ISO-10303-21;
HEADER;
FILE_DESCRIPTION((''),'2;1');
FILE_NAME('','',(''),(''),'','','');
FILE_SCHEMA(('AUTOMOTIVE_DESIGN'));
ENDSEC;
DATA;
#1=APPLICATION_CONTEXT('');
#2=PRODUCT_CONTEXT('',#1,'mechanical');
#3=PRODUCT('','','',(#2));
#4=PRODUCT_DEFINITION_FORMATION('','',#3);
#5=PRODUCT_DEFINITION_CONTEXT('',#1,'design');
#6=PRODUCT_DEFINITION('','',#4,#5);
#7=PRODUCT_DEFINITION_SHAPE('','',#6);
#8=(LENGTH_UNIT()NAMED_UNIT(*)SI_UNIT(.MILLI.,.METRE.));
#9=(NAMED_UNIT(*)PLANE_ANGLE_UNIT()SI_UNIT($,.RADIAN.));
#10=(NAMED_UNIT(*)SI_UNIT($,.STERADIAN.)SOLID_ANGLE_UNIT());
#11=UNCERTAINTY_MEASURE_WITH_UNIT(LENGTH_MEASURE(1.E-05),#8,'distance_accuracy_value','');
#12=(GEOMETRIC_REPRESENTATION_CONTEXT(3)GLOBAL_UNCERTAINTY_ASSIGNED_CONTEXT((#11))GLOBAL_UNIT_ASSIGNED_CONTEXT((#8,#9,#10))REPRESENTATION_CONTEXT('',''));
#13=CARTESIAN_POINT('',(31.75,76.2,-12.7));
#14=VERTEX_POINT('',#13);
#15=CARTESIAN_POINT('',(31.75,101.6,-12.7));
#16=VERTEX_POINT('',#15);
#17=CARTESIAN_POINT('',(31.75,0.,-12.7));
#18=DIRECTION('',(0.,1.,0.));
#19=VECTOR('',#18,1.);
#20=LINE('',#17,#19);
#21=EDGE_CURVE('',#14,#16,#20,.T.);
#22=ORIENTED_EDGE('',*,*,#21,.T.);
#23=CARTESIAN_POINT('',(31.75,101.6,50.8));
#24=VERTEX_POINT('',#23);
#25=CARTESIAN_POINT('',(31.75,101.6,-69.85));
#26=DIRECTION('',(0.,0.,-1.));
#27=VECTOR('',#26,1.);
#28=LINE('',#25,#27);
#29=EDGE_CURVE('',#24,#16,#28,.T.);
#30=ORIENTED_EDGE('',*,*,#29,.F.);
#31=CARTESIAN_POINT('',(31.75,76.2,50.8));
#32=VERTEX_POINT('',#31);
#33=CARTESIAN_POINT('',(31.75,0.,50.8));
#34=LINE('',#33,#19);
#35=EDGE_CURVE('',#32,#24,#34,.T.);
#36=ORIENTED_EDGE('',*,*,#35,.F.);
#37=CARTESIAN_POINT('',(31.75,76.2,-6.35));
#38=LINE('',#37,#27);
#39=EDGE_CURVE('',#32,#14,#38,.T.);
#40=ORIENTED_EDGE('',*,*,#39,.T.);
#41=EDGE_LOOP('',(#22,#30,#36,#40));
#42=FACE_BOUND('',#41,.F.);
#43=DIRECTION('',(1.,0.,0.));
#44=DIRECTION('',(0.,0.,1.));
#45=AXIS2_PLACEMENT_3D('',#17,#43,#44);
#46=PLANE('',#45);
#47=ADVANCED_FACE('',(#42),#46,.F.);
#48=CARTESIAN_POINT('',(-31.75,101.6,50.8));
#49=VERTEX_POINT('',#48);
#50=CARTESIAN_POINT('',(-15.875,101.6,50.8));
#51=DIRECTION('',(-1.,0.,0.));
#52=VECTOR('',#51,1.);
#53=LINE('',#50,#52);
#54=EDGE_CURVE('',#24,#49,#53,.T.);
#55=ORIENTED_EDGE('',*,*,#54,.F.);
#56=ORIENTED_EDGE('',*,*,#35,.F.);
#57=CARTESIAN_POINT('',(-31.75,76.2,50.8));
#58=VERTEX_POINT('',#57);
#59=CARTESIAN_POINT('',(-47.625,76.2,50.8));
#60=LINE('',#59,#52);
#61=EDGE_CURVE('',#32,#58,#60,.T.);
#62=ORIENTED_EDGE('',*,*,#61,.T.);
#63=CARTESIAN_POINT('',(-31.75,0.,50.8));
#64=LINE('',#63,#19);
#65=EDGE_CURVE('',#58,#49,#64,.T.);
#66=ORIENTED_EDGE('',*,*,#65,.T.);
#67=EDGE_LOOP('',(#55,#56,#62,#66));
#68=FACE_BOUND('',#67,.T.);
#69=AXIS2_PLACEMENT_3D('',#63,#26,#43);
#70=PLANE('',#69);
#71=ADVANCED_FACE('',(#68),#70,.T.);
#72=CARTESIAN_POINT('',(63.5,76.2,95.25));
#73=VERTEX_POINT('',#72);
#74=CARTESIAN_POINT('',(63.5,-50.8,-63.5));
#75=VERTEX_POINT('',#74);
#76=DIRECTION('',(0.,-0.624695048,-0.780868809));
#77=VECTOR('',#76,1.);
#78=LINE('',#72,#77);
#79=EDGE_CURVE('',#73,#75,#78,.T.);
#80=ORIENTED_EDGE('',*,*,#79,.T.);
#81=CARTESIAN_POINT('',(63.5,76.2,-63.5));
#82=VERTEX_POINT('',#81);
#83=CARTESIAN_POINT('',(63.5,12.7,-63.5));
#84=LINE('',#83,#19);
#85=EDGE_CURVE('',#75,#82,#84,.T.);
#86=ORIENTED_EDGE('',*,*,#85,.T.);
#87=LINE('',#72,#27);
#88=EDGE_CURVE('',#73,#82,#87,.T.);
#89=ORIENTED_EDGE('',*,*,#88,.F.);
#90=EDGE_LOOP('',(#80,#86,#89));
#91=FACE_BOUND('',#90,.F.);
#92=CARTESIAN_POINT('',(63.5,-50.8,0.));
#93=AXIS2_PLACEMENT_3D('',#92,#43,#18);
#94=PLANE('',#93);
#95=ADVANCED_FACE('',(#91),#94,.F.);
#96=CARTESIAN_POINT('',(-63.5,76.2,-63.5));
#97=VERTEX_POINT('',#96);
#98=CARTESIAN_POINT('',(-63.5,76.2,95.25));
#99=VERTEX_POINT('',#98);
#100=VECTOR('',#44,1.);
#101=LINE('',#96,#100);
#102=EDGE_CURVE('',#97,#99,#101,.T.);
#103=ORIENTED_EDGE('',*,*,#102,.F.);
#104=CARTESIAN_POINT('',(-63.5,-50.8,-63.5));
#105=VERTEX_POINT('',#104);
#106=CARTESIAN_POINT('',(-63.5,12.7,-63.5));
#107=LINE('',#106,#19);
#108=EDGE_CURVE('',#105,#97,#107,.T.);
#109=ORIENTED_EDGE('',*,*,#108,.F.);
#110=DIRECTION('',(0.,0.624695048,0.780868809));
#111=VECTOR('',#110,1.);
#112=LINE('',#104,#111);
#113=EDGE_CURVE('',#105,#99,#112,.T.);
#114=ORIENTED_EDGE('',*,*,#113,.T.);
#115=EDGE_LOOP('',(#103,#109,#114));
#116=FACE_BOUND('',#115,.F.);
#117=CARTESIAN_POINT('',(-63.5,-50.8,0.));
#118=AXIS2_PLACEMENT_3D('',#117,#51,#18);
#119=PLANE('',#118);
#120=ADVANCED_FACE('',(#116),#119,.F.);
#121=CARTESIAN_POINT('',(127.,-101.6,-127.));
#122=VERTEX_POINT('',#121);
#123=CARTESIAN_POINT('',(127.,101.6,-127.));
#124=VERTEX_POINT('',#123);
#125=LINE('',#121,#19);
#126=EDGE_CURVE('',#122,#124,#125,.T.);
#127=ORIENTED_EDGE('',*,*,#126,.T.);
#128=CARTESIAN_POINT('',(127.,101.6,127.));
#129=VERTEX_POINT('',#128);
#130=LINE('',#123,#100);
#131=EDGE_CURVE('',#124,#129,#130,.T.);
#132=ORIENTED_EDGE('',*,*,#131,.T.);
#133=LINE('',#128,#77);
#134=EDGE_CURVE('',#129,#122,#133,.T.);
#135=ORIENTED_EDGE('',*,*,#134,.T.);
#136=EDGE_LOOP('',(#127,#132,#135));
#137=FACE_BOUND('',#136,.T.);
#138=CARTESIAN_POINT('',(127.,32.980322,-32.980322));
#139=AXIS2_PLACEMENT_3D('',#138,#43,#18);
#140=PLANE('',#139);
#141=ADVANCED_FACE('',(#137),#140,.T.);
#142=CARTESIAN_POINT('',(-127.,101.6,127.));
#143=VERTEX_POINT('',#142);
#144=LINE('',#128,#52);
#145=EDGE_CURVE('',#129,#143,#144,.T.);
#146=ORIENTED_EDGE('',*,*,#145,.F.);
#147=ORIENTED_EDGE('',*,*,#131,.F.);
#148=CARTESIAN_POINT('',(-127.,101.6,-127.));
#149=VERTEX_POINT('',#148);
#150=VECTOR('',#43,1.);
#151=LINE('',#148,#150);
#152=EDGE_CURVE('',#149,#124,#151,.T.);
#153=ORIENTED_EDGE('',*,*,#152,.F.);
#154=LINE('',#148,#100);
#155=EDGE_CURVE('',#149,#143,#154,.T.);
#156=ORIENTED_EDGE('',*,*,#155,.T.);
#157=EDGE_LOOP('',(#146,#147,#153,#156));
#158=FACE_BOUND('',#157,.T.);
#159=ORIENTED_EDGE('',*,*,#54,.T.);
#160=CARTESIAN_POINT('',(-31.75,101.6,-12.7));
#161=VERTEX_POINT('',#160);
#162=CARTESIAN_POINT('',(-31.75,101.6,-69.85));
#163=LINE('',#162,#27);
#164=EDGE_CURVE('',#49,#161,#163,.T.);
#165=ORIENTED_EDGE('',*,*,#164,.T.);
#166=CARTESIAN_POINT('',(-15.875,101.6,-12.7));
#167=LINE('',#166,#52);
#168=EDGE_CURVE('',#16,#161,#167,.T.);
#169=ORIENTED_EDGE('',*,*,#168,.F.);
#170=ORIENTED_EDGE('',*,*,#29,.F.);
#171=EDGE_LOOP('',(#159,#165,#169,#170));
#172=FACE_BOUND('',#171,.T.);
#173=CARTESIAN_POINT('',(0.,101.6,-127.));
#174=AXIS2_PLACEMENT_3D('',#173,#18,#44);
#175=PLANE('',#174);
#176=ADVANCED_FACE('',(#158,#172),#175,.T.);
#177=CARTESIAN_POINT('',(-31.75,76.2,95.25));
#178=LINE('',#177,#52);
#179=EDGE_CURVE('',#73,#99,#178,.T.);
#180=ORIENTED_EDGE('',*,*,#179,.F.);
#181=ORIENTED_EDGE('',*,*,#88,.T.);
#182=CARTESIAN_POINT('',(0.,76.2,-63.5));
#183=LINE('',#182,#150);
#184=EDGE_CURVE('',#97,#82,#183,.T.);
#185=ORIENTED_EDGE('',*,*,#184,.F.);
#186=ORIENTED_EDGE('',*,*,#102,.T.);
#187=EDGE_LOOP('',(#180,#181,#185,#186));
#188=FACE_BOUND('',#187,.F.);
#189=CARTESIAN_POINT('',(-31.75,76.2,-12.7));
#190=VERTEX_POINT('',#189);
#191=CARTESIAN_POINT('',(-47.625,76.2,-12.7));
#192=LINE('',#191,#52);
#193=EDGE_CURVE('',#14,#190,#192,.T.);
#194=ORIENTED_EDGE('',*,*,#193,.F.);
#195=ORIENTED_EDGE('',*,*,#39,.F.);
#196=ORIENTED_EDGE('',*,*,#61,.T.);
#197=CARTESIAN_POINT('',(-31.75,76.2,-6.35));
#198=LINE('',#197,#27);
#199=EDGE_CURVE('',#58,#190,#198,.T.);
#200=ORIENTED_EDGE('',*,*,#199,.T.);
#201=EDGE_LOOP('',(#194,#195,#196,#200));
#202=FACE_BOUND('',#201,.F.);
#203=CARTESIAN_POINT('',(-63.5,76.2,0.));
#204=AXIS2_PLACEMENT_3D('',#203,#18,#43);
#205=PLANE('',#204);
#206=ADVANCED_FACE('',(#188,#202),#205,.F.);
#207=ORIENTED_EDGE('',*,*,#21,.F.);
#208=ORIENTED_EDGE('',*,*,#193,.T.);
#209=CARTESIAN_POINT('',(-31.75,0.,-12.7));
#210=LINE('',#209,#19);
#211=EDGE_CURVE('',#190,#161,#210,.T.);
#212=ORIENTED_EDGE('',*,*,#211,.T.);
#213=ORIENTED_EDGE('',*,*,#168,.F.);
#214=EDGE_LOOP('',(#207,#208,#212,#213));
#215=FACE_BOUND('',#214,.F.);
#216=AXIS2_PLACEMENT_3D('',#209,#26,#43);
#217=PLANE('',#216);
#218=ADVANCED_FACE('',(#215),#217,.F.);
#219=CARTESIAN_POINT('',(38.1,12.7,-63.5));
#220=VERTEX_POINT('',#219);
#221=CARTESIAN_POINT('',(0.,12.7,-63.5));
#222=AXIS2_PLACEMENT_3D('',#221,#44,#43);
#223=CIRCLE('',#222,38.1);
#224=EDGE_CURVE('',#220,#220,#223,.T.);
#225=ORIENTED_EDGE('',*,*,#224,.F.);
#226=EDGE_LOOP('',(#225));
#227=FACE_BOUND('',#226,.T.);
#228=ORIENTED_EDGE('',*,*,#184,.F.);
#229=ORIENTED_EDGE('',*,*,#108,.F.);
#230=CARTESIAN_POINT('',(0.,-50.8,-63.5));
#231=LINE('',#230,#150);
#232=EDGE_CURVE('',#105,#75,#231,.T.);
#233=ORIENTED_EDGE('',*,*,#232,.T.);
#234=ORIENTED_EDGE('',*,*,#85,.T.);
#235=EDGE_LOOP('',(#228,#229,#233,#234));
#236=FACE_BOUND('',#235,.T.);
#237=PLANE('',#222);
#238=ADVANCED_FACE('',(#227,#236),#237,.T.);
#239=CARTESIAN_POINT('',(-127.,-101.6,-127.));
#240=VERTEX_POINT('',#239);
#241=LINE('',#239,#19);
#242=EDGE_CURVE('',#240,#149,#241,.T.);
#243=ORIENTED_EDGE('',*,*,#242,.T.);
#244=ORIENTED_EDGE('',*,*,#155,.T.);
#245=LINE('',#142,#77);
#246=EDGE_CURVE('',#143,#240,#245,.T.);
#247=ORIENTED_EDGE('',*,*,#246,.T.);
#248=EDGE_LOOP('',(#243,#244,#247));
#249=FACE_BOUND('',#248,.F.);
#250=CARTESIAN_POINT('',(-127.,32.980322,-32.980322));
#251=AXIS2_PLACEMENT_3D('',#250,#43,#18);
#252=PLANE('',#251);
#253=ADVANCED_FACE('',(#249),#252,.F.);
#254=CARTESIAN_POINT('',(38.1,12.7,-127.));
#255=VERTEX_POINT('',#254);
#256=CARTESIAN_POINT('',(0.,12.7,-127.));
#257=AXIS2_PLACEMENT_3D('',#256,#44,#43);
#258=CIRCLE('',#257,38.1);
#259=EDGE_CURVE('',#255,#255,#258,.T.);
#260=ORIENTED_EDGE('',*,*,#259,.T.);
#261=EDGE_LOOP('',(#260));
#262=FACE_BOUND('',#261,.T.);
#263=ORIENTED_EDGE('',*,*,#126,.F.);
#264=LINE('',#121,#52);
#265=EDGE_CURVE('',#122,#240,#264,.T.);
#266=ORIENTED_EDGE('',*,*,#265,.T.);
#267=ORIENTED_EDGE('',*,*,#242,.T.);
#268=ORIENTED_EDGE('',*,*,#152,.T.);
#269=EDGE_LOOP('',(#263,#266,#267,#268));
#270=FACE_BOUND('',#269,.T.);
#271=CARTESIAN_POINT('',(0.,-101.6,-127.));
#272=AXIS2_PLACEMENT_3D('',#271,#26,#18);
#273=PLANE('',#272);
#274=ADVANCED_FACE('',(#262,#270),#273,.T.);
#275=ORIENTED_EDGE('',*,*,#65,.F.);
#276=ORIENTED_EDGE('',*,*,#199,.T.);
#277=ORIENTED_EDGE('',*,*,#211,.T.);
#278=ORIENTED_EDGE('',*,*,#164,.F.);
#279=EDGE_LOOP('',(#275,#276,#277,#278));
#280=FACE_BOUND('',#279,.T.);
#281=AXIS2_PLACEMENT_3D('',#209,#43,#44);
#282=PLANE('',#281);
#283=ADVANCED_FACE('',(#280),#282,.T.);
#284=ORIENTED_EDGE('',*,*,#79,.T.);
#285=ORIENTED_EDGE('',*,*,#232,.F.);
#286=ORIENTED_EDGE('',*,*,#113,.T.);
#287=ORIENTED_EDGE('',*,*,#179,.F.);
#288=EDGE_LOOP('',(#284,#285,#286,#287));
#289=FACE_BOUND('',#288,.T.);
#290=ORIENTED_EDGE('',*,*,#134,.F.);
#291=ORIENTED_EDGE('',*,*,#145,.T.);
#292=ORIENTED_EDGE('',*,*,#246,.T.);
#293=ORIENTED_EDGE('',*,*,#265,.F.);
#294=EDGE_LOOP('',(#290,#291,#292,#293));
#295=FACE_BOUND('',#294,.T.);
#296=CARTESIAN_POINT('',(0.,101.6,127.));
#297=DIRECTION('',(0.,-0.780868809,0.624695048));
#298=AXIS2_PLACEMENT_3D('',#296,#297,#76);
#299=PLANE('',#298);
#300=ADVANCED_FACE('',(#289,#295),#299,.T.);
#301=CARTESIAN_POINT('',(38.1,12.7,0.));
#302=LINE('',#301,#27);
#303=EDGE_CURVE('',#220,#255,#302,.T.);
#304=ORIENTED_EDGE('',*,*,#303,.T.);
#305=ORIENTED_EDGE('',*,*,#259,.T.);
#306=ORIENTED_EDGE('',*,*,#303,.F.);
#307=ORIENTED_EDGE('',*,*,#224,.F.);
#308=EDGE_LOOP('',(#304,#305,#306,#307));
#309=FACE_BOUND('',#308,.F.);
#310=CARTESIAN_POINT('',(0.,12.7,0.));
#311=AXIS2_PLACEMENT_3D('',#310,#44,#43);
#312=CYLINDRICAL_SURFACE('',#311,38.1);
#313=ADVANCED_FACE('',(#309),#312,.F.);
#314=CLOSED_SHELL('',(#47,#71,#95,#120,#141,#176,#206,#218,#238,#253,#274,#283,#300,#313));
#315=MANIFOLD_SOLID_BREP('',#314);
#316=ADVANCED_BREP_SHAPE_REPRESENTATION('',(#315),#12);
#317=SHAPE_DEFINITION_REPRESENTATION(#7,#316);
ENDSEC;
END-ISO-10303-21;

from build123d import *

# Parameters (mm, degrees)
F3_DEPTH = 127
F1_W     = 127
F1_H     = 127
F1_R     = 38.1
F4_DEPTH = 194.818
F5_DEPTH = 63.5
F6_DEPTH = 281.432
F7_DEPTH = 672.592
F0_W     = 63.5
F0_H     = 63.5
F8_DEPTH = 261.874


with BuildPart() as f3:
    # F2 (on Right) → F3 (new body, symmetric)
    with BuildSketch(Plane.YZ):
        Polygon((-101.6, -127), (101.6, -127), (101.6, 127), align=None)
    extrude(amount=F3_DEPTH, both=True)

    # F1 (on Top) → F4 (cut)
    with BuildSketch(Plane.XY):
        with Locations((0, 12.7)):
            Rectangle(F1_W, F1_H)
        with Locations((0, 12.7)):
            Circle(F1_R, mode=Mode.SUBTRACT)
    extrude(amount=F4_DEPTH, mode=Mode.SUBTRACT)

    # F1 (on Top) → F5 (cut)
    with BuildSketch(Plane.XY):
        with Locations((0, 12.7)):
            Rectangle(F1_W, F1_H)
        with Locations((0, 12.7)):
            Circle(F1_R, mode=Mode.SUBTRACT)
    extrude(amount=-F5_DEPTH, mode=Mode.SUBTRACT)

    # F1 (on Top) → F6 (cut)
    with BuildSketch(Plane.XY):
        with Locations((0, 12.7)):
            Circle(F1_R)
    extrude(amount=-F6_DEPTH, mode=Mode.SUBTRACT)

    # F1 (on Top) → F7 (cut)
    with BuildSketch(Plane.XY):
        with Locations((0, 12.7)):
            Circle(F1_R)
    extrude(amount=F7_DEPTH, mode=Mode.SUBTRACT)

    # F0 (on Front) → F8 (cut)
    with BuildSketch(Plane.XZ):
        with Locations((0, 19.05)):
            Rectangle(F0_W, F0_H)
    extrude(amount=-F8_DEPTH, mode=Mode.SUBTRACT)


solid = f3.part
